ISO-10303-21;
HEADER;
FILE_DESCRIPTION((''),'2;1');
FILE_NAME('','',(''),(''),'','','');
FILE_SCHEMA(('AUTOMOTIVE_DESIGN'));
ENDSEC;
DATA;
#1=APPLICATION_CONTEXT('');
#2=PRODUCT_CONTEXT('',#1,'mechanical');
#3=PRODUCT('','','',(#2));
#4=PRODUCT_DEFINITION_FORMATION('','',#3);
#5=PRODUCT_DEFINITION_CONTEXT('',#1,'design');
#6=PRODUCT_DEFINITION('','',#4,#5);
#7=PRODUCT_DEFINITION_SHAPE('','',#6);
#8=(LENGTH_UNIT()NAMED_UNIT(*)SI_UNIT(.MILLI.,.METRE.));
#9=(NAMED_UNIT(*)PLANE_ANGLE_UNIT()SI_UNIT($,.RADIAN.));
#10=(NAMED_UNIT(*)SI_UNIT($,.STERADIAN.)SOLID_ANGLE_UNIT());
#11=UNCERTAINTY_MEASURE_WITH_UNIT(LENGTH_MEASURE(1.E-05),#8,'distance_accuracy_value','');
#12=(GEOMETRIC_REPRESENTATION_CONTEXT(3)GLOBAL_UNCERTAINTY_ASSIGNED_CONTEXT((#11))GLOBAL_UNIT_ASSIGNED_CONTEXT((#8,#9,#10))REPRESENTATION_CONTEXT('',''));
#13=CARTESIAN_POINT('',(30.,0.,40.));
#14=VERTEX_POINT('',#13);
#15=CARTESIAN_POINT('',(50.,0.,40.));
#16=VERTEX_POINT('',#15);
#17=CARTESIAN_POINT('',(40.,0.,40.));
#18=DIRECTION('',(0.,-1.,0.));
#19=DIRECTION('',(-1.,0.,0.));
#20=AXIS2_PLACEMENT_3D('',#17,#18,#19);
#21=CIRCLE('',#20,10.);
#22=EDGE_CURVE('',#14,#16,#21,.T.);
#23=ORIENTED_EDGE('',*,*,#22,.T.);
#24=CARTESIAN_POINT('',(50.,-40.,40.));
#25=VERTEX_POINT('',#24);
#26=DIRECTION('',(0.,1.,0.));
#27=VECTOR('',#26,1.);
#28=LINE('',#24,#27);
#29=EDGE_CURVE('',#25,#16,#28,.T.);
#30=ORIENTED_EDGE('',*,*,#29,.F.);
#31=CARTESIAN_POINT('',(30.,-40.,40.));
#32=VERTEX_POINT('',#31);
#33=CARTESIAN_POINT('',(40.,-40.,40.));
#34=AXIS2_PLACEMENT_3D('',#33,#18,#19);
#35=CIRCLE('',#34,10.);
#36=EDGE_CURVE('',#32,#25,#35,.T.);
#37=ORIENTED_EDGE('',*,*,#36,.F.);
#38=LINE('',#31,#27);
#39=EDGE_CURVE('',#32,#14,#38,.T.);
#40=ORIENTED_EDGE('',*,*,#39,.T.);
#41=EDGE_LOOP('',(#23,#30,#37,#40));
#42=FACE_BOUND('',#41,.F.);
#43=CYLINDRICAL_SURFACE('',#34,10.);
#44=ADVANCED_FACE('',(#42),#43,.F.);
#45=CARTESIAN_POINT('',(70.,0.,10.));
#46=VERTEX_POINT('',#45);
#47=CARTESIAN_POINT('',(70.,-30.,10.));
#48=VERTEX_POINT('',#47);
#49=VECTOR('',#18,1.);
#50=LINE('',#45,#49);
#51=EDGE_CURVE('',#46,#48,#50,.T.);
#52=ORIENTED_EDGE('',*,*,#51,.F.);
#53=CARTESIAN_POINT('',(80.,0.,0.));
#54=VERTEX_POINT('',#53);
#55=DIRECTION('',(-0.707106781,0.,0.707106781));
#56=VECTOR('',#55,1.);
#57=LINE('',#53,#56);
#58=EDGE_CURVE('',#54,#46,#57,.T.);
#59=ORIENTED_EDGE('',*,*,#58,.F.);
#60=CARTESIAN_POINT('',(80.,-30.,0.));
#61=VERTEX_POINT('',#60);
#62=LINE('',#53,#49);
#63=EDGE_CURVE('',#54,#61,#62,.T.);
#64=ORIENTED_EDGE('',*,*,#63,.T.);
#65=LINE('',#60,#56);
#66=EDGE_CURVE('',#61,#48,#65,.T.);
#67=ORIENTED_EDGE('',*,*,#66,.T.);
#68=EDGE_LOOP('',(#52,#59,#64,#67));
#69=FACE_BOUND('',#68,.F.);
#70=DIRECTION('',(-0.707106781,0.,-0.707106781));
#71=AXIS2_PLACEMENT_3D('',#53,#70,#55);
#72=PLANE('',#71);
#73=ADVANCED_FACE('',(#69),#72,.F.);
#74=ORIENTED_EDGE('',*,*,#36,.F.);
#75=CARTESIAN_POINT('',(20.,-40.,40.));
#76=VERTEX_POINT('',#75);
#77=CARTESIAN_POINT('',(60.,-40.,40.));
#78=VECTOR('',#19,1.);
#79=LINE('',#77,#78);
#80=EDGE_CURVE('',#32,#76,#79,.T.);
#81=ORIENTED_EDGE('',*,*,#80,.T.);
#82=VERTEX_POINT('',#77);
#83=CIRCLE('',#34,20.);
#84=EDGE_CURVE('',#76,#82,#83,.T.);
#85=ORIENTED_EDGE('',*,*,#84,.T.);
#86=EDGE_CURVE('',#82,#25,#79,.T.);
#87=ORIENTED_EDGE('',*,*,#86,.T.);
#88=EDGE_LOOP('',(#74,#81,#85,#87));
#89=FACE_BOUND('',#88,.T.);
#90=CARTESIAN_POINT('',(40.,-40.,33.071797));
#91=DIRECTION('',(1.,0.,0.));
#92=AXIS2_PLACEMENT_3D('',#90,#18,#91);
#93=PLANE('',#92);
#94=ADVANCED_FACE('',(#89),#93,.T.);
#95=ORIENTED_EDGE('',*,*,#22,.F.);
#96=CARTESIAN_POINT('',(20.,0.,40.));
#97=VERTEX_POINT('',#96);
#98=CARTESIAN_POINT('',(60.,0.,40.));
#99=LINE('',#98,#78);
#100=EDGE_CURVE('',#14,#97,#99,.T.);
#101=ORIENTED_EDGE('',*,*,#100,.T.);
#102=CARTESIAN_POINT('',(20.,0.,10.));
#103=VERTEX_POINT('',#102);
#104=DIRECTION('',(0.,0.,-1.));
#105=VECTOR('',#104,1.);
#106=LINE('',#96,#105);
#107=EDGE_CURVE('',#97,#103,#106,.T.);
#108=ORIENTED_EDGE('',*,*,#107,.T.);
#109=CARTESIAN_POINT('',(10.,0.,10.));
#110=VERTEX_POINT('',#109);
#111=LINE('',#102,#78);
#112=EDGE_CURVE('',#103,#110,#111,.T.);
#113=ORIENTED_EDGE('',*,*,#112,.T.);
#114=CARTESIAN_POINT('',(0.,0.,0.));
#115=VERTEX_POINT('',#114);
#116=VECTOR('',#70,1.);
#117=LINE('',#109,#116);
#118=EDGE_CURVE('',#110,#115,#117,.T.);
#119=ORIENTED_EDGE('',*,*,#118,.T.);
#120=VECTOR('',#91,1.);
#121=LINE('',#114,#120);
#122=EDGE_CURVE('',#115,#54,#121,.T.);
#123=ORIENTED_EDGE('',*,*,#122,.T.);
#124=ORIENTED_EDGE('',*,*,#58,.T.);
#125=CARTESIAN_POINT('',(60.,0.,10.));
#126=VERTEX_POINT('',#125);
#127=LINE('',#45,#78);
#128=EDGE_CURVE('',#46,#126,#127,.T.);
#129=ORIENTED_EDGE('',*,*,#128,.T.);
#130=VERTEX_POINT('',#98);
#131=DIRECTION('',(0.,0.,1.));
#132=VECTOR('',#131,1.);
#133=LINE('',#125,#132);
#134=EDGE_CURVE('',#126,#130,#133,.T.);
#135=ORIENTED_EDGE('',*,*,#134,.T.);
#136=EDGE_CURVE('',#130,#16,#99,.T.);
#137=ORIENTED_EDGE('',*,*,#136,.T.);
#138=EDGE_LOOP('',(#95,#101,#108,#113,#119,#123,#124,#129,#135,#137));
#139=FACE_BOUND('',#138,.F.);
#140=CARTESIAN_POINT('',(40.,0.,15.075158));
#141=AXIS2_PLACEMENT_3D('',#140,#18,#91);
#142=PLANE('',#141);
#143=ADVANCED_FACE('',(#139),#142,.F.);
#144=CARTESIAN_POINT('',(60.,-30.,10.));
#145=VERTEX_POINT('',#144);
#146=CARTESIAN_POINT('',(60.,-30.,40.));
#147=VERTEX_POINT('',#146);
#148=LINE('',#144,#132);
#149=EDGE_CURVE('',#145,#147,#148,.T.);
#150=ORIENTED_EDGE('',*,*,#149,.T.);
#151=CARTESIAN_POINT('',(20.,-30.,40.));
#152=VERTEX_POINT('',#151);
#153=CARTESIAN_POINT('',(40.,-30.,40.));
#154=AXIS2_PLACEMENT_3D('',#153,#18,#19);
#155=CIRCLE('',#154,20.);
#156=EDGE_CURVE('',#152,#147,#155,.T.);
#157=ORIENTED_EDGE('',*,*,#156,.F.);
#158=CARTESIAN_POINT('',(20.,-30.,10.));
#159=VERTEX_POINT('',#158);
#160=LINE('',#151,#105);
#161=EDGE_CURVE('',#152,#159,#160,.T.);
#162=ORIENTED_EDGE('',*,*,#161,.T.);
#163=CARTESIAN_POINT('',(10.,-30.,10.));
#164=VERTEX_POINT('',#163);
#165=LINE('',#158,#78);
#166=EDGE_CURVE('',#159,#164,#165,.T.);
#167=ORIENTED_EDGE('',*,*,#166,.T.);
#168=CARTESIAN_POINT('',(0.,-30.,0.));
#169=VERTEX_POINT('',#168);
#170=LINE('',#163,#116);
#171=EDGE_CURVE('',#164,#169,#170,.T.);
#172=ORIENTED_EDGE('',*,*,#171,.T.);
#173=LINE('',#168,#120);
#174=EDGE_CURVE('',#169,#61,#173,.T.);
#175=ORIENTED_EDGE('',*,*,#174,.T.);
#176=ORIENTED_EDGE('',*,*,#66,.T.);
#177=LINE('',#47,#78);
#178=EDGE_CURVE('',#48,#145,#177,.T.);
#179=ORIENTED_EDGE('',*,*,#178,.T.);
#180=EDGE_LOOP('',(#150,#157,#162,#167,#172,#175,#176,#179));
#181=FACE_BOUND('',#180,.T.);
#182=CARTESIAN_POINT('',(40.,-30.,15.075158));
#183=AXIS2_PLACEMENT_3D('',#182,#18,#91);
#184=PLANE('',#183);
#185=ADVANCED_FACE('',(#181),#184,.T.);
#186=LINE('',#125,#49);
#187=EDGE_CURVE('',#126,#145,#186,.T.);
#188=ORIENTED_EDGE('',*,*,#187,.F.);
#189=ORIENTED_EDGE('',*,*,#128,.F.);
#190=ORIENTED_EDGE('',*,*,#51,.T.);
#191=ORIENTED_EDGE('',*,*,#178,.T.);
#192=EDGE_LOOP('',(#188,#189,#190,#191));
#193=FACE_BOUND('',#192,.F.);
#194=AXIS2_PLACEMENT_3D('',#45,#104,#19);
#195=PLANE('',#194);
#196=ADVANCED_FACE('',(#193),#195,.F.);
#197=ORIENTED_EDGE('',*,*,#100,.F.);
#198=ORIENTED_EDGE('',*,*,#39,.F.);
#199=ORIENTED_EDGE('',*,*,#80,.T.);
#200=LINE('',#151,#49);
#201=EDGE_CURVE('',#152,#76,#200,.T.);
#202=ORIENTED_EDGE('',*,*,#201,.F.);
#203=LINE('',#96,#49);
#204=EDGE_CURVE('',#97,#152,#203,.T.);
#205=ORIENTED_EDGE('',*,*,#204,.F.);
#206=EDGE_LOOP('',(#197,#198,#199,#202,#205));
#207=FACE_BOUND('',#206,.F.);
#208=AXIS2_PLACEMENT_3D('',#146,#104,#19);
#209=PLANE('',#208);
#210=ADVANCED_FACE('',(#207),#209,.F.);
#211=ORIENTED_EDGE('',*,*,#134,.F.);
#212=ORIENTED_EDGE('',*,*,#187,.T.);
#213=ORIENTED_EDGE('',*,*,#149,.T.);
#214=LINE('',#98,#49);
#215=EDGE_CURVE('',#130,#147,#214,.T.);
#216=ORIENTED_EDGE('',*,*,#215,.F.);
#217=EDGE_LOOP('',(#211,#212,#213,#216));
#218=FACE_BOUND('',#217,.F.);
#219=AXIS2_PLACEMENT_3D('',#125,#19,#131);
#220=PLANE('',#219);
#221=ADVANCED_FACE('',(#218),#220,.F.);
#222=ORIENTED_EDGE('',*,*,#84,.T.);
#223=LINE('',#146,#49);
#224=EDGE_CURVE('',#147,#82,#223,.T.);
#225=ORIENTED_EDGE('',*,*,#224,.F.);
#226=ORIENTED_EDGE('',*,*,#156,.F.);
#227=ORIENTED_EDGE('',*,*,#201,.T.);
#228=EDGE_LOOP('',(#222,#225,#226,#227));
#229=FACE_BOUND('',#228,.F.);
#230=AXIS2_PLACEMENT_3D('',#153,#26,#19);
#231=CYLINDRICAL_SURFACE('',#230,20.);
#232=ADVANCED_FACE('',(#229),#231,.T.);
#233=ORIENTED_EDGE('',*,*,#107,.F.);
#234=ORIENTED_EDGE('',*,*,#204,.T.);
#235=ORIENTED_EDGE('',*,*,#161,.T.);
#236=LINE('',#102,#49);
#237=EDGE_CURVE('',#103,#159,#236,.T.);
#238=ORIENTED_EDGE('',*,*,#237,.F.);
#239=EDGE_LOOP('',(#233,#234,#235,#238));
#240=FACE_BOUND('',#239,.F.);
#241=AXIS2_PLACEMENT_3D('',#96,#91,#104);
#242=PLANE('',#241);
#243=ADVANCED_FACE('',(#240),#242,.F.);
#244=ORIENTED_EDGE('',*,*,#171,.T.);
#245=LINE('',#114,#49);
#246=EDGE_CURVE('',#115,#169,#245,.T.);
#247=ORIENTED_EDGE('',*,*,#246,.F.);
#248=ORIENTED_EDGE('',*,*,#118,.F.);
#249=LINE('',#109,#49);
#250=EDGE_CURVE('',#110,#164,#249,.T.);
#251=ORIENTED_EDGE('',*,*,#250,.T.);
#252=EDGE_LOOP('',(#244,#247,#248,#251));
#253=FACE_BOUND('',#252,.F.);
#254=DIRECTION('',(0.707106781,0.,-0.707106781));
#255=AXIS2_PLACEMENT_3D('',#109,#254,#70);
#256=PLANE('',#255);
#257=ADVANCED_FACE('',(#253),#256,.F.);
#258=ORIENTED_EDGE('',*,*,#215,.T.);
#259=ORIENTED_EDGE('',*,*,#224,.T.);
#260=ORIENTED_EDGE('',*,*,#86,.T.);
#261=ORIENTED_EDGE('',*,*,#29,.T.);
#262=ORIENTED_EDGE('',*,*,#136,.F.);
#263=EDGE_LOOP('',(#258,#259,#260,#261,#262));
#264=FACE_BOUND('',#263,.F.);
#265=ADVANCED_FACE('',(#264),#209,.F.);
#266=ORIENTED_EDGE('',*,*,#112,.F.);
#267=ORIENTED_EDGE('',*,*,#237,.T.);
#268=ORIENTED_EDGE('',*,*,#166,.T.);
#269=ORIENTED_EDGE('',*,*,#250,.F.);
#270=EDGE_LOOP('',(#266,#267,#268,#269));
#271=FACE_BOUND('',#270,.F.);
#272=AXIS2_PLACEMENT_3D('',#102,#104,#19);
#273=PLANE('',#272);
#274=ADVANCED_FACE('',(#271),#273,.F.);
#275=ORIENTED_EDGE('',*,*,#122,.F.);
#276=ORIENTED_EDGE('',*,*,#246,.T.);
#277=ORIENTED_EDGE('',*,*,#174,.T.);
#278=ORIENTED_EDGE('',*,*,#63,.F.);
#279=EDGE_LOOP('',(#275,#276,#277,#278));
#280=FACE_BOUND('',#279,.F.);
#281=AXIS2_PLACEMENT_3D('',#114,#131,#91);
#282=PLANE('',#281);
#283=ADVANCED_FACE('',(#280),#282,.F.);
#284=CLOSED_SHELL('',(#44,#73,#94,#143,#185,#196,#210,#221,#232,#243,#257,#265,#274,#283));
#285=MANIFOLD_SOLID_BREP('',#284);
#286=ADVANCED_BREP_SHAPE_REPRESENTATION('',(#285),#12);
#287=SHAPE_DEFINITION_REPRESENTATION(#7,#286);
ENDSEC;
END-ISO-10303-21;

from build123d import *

# Parameters (mm, degrees)
F1_DEPTH = 30
F3_DEPTH = 10
F5_DEPTH = 40.001


with BuildPart() as f1:
    # F0 (on Front) → F1 (new body)
    with BuildSketch(Plane.XZ):
        Polygon((10, 10), (0, 0), (80, 0), (70, 10), (60, 10), (60, 40), (20, 40), (20, 10), align=None)
    extrude(amount=F1_DEPTH)

    # F2 (on face) → F3 (join)
    with BuildSketch(Plane.XZ.offset(30)):
        with BuildLine():
            ThreePointArc((20, 40), (40, 20), (60, 40))
            Line((60, 40), (20, 40))
        make_face()
    extrude(amount=F3_DEPTH)

    # F4 (on face) → F5 (cut, through all)
    with BuildSketch(Plane.XZ.offset(40)):
        with BuildLine():
            ThreePointArc((30, 40), (40, 30), (50, 40))
            Line((50, 40), (30, 40))
        make_face()
    extrude(amount=-F5_DEPTH, mode=Mode.SUBTRACT)


solid = f1.part
